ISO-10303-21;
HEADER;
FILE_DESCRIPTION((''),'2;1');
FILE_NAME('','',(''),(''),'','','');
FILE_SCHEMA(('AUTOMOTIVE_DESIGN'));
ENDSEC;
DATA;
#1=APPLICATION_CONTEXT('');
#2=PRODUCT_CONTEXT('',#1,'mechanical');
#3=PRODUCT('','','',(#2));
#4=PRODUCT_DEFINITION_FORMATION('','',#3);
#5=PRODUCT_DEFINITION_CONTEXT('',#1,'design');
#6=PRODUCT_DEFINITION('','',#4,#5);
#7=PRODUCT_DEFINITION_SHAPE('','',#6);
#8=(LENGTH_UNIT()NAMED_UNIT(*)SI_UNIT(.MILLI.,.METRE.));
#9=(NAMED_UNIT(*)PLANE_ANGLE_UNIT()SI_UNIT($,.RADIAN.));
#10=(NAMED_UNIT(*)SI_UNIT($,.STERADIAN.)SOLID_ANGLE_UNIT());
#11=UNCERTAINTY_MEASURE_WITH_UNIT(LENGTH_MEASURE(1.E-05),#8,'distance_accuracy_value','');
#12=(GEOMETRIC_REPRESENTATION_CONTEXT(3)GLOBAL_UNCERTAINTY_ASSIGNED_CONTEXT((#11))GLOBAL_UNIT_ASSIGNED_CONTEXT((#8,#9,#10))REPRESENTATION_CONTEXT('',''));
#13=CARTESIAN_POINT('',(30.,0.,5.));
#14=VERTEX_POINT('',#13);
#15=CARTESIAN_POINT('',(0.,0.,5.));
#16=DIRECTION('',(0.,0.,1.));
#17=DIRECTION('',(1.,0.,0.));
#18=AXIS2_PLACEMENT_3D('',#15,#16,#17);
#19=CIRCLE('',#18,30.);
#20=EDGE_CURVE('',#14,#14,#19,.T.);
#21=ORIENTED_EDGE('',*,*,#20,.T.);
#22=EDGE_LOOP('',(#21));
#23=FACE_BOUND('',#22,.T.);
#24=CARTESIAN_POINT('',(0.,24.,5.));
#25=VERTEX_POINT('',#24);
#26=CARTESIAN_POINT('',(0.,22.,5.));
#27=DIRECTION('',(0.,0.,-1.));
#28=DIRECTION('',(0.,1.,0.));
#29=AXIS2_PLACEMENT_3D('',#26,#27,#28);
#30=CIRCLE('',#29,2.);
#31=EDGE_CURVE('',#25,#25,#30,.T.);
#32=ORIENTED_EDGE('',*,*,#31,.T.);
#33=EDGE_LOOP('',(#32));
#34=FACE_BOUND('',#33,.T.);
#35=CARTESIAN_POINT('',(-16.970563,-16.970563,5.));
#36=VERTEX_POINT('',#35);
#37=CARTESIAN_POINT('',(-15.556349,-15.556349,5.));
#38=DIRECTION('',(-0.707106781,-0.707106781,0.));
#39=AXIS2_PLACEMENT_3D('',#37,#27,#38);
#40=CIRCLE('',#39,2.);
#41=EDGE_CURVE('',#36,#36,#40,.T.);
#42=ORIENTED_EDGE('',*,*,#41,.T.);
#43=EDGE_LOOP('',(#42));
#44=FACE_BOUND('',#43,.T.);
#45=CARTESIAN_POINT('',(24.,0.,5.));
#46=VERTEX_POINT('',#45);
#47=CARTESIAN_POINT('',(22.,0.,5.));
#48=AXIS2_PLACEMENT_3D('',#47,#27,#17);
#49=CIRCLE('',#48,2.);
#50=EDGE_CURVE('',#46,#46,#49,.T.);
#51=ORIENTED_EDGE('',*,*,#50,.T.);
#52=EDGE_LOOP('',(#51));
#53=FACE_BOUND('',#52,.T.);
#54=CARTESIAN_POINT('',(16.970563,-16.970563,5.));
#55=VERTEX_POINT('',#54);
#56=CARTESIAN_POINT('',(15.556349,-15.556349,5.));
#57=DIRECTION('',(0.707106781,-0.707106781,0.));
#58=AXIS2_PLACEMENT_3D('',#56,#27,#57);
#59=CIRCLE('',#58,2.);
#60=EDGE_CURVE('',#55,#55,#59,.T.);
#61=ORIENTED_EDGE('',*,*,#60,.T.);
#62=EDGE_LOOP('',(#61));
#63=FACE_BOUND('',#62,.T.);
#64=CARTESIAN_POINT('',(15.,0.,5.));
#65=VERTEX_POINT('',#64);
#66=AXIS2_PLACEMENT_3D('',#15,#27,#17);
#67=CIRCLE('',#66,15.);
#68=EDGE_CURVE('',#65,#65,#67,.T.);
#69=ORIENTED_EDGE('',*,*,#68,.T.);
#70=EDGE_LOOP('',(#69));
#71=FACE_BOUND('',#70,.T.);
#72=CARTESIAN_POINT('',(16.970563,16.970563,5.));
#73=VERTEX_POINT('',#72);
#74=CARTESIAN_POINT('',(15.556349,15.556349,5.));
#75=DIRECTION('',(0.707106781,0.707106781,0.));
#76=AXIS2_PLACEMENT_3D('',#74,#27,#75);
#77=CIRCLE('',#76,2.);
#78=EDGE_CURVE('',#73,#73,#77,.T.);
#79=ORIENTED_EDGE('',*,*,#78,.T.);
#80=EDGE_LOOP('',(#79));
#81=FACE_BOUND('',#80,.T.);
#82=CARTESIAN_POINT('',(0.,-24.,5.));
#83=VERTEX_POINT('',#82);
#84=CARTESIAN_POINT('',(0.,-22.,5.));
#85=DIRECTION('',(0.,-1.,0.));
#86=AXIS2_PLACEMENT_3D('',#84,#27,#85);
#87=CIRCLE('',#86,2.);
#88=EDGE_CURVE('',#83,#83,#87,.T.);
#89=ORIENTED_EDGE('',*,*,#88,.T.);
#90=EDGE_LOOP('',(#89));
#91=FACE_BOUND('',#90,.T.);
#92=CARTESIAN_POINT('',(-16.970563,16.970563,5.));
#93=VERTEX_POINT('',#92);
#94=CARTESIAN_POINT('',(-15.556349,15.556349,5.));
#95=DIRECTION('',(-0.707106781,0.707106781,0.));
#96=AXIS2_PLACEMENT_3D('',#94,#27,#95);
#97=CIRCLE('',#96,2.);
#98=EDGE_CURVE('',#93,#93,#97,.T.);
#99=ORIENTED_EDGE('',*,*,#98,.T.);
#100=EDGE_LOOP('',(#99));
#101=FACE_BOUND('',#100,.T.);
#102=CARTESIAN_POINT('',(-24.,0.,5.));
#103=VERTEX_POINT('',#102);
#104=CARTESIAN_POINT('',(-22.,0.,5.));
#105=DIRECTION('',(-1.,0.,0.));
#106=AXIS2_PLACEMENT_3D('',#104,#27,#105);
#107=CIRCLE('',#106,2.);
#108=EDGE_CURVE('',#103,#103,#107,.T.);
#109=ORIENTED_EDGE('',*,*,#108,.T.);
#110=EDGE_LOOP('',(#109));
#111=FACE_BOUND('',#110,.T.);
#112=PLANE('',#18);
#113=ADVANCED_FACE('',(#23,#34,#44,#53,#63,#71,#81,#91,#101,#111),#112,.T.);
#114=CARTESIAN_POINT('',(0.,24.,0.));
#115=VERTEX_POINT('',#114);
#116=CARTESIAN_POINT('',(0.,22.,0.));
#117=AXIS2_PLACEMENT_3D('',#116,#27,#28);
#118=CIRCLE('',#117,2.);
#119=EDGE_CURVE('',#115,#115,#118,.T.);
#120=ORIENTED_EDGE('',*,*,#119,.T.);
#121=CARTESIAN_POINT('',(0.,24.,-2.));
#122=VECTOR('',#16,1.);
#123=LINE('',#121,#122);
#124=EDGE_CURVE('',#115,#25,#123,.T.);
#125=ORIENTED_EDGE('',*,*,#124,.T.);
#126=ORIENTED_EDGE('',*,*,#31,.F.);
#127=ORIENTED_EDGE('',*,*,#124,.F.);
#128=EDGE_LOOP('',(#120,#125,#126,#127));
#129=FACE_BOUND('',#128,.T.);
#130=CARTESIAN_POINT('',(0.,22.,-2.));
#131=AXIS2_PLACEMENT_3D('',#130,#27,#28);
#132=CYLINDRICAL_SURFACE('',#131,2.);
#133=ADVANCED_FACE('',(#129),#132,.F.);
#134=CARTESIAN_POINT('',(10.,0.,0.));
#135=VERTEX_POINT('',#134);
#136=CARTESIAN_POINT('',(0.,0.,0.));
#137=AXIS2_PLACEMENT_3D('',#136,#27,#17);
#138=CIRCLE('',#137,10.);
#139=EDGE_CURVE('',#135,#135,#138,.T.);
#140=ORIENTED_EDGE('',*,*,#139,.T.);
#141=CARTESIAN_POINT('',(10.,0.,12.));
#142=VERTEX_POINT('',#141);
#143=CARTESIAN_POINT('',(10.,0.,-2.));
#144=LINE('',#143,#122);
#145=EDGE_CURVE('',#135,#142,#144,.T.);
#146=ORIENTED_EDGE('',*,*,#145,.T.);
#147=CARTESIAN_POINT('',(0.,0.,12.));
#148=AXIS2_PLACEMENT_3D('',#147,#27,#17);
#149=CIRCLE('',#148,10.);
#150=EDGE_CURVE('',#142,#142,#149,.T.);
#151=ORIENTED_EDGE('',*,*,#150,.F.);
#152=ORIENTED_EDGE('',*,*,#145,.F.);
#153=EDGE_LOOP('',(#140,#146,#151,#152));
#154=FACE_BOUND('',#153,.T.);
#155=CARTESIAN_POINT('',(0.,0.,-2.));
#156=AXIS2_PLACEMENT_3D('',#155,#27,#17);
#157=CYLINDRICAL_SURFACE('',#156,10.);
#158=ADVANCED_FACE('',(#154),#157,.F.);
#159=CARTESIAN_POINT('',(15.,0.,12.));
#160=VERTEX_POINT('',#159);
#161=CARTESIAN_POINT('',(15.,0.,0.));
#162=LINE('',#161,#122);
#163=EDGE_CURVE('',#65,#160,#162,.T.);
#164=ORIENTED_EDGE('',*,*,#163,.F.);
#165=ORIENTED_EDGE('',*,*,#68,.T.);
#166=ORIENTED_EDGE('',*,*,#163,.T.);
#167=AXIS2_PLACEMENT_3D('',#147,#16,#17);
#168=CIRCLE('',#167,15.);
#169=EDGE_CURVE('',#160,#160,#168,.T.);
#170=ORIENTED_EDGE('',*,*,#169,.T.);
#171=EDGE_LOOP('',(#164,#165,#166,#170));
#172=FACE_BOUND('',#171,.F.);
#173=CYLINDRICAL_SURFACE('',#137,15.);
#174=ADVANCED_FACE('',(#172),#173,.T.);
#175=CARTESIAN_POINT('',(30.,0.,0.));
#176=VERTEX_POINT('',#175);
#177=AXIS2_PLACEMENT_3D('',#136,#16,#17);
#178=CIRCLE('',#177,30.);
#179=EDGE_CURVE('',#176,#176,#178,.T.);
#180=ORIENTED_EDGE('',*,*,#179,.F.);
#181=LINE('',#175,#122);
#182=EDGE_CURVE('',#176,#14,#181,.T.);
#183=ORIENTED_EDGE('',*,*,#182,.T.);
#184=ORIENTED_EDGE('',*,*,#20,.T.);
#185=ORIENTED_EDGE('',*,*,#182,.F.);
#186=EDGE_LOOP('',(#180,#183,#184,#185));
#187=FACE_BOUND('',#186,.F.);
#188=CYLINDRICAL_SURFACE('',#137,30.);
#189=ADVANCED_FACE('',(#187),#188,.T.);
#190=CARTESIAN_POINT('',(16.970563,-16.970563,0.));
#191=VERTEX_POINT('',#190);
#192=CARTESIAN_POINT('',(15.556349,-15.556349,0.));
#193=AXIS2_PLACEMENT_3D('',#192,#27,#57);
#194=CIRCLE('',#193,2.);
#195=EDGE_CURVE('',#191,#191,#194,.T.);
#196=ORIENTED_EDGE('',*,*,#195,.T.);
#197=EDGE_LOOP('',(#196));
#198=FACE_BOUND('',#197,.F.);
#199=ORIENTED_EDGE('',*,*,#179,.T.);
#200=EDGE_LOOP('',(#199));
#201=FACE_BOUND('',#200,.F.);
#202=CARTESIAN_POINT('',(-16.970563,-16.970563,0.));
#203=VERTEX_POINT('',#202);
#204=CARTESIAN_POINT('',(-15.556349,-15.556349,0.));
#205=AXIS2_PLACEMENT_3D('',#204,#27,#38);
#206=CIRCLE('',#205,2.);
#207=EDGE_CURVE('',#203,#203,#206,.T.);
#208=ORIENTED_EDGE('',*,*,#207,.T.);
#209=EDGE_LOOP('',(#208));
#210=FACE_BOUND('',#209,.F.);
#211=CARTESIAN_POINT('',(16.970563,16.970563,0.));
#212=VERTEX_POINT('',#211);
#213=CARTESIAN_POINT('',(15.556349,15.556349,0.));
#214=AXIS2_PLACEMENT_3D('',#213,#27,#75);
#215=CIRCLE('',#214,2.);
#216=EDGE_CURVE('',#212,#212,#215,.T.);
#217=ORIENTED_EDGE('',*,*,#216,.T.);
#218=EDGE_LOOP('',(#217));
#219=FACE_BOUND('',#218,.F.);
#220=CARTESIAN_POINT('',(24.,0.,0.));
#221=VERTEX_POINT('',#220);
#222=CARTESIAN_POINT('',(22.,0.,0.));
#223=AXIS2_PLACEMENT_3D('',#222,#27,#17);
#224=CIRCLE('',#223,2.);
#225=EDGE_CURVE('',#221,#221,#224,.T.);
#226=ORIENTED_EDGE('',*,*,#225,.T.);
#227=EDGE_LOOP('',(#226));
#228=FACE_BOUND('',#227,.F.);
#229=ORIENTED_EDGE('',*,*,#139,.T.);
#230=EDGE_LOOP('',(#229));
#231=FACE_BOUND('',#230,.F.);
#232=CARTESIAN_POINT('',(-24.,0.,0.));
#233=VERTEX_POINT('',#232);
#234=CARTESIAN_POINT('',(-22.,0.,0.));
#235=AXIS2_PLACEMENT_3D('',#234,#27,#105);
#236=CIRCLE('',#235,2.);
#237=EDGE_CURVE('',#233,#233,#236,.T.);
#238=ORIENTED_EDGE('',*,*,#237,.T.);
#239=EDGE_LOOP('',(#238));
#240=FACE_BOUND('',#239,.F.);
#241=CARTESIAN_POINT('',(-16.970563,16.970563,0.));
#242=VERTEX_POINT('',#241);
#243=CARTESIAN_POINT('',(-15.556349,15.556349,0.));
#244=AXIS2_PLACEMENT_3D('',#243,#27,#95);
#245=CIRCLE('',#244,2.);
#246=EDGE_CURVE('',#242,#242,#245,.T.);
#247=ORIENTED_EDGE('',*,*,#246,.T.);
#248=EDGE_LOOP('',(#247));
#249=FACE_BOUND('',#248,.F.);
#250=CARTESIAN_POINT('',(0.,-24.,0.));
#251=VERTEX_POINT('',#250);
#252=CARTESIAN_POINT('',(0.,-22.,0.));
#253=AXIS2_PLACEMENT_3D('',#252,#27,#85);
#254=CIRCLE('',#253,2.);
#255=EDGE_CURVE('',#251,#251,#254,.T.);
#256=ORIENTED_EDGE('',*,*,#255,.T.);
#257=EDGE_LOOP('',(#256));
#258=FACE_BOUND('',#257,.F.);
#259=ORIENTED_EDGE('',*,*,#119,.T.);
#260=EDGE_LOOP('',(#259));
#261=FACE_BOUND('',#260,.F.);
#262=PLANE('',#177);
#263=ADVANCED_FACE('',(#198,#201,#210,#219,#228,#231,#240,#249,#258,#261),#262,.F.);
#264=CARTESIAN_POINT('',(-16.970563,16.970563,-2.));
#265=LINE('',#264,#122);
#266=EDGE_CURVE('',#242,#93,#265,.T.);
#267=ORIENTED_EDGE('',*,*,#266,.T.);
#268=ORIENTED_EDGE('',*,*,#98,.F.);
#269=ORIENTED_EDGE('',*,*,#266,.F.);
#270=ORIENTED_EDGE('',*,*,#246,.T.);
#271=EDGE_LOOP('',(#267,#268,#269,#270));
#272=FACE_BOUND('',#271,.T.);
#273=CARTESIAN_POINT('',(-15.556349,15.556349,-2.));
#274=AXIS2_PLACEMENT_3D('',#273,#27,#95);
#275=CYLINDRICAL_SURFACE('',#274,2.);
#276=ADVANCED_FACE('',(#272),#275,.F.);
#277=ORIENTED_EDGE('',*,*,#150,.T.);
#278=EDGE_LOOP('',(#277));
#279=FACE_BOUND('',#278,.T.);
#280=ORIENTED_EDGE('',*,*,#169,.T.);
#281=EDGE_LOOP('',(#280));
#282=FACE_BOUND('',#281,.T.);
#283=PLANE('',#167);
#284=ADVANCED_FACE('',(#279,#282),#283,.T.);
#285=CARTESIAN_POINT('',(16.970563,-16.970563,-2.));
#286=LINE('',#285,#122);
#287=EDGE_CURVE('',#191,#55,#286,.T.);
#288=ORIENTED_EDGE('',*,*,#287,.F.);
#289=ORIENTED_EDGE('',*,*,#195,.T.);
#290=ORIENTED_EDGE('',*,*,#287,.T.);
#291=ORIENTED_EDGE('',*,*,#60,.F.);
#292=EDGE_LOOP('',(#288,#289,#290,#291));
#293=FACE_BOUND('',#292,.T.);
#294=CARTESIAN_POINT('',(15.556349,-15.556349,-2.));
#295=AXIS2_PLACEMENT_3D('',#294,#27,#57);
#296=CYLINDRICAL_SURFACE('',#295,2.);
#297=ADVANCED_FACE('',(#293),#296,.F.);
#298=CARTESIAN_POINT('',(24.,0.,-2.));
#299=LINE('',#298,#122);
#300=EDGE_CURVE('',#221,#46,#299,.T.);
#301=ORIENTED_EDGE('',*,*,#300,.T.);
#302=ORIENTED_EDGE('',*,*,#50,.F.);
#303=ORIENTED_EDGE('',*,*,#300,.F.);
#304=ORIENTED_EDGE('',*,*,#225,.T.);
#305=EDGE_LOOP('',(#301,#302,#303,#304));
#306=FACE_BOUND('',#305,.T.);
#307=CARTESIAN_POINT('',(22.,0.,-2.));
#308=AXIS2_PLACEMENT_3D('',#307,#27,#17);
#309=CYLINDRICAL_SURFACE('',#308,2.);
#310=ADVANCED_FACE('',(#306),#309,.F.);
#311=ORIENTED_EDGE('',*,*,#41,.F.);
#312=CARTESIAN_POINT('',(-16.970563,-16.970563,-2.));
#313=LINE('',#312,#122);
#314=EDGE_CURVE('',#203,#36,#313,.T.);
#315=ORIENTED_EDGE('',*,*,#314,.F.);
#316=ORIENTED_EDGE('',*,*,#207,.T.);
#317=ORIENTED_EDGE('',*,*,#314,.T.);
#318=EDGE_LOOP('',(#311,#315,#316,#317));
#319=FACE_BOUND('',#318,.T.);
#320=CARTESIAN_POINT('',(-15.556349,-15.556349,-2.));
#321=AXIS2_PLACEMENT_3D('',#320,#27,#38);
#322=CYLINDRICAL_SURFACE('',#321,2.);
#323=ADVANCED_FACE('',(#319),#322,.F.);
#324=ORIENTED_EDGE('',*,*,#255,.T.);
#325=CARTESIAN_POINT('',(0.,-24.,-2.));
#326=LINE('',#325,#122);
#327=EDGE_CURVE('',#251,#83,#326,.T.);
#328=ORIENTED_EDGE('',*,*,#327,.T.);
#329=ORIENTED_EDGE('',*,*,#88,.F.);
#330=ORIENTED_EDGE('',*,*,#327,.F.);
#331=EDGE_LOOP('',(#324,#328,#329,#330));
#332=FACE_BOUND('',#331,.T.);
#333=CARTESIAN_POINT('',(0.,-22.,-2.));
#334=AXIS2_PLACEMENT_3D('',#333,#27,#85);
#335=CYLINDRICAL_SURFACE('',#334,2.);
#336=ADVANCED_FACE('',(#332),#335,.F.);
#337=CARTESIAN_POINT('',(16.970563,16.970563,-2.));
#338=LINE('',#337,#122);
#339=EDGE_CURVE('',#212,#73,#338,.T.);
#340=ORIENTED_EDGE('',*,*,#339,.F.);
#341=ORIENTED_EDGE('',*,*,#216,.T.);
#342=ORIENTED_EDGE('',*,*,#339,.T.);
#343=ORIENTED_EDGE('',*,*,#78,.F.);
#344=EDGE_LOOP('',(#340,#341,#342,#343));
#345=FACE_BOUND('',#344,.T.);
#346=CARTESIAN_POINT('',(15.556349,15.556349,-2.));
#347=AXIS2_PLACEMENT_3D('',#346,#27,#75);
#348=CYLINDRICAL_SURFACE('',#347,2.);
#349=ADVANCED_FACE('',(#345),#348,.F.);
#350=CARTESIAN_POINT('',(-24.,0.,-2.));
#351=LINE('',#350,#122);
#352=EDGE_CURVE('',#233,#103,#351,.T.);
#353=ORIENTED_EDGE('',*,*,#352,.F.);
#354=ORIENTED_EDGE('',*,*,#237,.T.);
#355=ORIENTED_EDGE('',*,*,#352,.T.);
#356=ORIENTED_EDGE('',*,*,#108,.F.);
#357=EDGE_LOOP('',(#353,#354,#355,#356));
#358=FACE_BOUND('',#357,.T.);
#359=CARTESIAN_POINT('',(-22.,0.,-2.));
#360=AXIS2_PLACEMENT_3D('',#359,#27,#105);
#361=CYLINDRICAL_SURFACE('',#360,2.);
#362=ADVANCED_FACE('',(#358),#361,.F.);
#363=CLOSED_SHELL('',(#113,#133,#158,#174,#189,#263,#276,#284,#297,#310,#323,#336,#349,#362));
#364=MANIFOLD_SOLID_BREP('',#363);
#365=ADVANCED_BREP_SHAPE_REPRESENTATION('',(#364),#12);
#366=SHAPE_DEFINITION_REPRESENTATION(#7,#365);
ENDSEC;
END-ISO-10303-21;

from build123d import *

# Parameters (mm, degrees)
CYLINDER003_R     = 2
CYLINDER003_DEPTH = 10
ARRAY001_COUNT    = 8
CYLINDER002_R     = 10
CYLINDER002_DEPTH = 30
CYLINDER_R        = 30
CYLINDER_DEPTH    = 5
CYLINDER001_R     = 15
CYLINDER001_DEPTH = 12


with BuildPart() as array001:
    # Cylinder003 → Cylinder003 (new body)
    with BuildSketch(Plane(origin=(22, 0, -2), x_dir=(1, 0, 0), z_dir=(0, 0, 1))):
        Circle(CYLINDER003_R)
    extrude(amount=CYLINDER003_DEPTH)

    # Array001: Array001 ×8 about axis
    array001_axis = Axis((0, 0, 1), (0, 0, 1))


with BuildPart() as array001_1:
    add(array001.part)
    for i in range(1, ARRAY001_COUNT):
        add(array001.part.rotate(array001_axis, i * 360 / ARRAY001_COUNT))


with BuildPart() as int:
    # Cylinder002 → Cylinder002 (new body)
    with BuildSketch(Plane.XY.offset(-2)):
        Circle(CYLINDER002_R)
    extrude(amount=CYLINDER002_DEPTH)


with BuildPart() as basis:
    # Cylinder → Cylinder (new body)
    with BuildSketch(Plane.XY):
        Circle(CYLINDER_R)
    extrude(amount=CYLINDER_DEPTH)


with BuildPart() as flange:
    # Cylinder001 → Cylinder001 (new body)
    with BuildSketch(Plane.XY):
        Circle(CYLINDER001_R)
    extrude(amount=CYLINDER001_DEPTH)

    # Fusion: union basis
    add(basis.part)

    # Cut: cut int
    add(int.part, mode=Mode.SUBTRACT)

    # Cut001: cut Array001
    add(array001_1.part, mode=Mode.SUBTRACT)


solid = flange.part
